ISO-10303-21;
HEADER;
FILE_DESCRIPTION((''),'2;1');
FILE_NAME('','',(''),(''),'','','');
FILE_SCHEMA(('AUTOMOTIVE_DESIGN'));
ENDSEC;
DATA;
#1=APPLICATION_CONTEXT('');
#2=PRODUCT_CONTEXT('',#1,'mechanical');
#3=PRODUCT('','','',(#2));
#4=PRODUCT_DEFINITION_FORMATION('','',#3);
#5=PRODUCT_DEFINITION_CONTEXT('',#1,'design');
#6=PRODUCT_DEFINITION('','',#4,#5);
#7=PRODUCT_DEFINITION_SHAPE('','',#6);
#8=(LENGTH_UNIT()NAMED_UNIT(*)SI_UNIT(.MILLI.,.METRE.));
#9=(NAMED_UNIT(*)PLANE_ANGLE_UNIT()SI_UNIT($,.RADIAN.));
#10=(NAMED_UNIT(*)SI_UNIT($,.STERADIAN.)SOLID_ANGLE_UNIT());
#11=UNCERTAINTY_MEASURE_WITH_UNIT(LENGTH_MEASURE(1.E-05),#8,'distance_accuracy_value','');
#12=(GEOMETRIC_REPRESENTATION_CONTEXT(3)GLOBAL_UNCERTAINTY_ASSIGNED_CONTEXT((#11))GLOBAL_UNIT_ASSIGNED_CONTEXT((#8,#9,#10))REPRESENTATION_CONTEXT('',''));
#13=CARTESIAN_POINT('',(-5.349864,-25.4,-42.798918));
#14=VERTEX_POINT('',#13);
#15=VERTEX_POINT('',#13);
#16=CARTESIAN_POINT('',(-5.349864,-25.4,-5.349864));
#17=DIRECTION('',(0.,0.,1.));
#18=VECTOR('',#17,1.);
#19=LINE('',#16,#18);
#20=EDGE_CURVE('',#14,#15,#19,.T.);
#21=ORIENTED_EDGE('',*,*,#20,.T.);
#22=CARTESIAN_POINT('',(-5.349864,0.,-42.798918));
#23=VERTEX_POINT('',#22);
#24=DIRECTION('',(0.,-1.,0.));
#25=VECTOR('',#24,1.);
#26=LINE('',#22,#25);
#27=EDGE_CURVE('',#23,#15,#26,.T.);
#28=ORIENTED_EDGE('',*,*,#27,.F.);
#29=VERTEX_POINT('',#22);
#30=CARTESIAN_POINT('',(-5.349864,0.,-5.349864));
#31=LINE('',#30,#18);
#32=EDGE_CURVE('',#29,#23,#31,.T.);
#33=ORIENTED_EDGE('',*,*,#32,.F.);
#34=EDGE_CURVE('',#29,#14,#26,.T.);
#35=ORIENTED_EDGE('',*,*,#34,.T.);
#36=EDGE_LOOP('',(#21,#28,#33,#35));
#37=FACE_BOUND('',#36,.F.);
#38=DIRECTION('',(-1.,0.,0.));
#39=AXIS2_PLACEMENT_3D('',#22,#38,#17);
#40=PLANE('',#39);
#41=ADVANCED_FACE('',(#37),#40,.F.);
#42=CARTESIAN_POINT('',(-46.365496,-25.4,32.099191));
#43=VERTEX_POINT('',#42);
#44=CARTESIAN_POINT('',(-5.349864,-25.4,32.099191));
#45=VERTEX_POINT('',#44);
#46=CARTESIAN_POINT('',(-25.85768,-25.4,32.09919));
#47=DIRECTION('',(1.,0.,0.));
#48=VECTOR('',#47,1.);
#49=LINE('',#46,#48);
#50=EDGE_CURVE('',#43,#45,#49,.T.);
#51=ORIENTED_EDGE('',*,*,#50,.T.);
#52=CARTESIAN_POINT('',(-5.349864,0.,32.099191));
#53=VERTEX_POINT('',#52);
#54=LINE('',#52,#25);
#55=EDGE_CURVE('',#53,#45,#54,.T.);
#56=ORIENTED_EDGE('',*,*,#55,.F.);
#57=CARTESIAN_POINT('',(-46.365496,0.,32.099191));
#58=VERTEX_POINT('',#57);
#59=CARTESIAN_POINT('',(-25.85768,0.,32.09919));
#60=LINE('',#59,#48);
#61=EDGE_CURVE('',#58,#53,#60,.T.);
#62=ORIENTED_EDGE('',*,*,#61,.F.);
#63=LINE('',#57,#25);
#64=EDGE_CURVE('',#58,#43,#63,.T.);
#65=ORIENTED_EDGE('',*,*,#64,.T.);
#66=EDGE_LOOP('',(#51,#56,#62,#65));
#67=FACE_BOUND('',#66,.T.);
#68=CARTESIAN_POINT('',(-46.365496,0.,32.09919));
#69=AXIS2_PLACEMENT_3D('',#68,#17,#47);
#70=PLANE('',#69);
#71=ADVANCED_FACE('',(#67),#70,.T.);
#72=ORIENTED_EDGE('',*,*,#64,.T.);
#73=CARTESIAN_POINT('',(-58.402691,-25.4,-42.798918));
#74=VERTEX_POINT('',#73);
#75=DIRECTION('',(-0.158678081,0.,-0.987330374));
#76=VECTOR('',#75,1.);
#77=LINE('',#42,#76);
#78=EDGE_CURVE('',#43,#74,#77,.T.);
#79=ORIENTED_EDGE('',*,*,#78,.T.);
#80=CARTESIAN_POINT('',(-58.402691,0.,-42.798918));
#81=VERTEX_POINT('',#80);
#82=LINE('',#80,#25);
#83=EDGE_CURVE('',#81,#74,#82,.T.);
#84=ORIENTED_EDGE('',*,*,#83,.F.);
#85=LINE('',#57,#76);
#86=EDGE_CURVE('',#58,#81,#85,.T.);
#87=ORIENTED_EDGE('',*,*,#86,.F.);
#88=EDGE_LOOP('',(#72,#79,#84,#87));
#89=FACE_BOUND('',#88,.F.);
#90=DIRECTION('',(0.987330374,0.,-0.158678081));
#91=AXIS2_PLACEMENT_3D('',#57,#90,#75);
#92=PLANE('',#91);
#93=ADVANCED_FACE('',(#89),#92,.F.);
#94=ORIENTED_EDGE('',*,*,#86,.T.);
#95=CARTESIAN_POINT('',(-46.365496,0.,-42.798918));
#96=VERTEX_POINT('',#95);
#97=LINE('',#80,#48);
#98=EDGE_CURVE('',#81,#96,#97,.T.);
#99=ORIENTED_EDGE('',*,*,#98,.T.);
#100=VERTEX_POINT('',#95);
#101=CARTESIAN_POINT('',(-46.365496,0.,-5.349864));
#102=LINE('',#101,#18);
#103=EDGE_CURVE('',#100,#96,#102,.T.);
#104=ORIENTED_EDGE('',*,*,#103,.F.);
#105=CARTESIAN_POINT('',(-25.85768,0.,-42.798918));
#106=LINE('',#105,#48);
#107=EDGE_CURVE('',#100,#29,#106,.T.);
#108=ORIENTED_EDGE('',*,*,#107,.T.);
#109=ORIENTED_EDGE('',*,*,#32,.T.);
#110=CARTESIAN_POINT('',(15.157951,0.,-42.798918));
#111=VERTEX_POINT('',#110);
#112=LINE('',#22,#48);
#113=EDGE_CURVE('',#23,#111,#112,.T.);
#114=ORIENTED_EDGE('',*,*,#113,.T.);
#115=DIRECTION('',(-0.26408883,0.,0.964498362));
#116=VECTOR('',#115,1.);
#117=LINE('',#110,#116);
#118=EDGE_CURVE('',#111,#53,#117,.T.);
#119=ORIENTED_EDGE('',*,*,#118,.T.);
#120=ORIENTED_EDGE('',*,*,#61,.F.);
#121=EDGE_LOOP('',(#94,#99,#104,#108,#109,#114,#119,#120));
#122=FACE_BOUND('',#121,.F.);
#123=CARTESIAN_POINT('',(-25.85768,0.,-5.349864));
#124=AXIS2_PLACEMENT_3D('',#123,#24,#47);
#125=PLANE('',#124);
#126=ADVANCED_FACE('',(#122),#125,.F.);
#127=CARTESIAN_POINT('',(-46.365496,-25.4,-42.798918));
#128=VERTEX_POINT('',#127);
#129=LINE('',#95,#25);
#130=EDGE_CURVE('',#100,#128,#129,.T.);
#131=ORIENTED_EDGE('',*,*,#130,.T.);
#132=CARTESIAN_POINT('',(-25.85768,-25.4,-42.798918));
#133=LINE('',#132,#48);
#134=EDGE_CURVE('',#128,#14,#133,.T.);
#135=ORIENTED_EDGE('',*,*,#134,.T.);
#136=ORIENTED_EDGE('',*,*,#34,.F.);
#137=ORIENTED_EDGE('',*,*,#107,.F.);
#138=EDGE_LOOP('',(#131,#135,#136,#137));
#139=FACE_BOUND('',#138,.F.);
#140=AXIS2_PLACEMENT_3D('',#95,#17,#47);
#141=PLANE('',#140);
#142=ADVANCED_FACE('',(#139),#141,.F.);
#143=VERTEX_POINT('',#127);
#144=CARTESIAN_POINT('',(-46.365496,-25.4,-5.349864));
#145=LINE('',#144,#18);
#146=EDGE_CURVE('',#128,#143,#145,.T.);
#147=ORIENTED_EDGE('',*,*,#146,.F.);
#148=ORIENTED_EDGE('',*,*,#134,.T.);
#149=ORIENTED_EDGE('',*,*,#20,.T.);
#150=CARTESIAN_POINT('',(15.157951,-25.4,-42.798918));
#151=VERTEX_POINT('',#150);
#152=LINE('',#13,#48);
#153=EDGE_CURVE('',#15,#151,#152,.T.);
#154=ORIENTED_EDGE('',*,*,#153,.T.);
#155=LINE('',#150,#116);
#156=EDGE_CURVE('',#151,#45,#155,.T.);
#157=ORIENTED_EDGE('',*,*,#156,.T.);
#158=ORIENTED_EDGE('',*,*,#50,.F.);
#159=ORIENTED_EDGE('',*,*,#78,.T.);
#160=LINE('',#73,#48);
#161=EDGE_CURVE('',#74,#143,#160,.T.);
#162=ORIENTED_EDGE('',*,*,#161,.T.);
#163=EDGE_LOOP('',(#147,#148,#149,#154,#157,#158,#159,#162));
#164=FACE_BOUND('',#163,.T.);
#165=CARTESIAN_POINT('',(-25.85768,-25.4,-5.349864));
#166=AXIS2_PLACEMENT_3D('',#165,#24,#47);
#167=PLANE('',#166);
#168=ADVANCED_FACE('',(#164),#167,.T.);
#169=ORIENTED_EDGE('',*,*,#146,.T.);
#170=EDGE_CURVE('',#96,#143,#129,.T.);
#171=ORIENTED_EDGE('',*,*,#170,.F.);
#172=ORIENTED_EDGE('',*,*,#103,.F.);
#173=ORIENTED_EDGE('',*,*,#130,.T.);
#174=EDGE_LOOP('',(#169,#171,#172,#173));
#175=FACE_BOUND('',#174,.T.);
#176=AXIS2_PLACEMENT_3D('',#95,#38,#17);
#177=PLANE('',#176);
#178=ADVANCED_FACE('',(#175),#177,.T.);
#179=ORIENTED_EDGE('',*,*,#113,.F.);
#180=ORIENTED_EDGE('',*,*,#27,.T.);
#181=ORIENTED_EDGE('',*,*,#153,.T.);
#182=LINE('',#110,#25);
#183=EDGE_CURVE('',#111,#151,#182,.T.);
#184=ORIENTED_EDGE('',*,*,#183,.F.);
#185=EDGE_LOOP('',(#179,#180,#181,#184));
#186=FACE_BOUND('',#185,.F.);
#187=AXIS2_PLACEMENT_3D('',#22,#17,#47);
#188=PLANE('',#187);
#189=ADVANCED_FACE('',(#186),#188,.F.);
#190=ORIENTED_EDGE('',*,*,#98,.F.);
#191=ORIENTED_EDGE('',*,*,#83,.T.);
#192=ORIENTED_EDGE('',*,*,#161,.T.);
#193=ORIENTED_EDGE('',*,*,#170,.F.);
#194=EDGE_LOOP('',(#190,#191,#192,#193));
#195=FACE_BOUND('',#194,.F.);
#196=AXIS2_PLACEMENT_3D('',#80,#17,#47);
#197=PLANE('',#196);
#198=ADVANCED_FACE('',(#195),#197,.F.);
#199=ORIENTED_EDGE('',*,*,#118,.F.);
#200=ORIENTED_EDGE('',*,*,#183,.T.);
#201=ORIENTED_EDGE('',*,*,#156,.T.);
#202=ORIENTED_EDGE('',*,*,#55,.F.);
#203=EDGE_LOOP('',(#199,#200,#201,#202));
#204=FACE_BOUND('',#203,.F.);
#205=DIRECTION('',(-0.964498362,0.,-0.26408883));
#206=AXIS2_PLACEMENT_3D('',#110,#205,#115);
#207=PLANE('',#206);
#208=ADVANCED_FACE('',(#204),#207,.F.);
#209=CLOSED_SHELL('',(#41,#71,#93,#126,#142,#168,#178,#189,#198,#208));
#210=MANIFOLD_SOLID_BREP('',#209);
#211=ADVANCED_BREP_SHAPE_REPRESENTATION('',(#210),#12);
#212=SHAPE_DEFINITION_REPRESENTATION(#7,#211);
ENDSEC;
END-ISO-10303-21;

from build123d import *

# Parameters (mm, degrees)
F0_W     = 41.015632
F0_H     = 74.898109
F1_DEPTH = 25.4


with BuildPart() as f1:
    # F0 (on Front) → F1 (new body)
    with BuildSketch(Plane.XZ):
        with Locations((-25.85768, -5.349864)):
            Rectangle(F0_W, F0_H)
        Polygon((-58.402691, -42.798918), (-46.365496, -42.798918), (-46.365496, 32.099191), align=None)
        Polygon((-5.349864, 32.099191), (-5.349864, -42.798918), (6.687334, -42.798918), (15.157951, -42.798918), align=None)
    extrude(amount=F1_DEPTH)


solid = f1.part
